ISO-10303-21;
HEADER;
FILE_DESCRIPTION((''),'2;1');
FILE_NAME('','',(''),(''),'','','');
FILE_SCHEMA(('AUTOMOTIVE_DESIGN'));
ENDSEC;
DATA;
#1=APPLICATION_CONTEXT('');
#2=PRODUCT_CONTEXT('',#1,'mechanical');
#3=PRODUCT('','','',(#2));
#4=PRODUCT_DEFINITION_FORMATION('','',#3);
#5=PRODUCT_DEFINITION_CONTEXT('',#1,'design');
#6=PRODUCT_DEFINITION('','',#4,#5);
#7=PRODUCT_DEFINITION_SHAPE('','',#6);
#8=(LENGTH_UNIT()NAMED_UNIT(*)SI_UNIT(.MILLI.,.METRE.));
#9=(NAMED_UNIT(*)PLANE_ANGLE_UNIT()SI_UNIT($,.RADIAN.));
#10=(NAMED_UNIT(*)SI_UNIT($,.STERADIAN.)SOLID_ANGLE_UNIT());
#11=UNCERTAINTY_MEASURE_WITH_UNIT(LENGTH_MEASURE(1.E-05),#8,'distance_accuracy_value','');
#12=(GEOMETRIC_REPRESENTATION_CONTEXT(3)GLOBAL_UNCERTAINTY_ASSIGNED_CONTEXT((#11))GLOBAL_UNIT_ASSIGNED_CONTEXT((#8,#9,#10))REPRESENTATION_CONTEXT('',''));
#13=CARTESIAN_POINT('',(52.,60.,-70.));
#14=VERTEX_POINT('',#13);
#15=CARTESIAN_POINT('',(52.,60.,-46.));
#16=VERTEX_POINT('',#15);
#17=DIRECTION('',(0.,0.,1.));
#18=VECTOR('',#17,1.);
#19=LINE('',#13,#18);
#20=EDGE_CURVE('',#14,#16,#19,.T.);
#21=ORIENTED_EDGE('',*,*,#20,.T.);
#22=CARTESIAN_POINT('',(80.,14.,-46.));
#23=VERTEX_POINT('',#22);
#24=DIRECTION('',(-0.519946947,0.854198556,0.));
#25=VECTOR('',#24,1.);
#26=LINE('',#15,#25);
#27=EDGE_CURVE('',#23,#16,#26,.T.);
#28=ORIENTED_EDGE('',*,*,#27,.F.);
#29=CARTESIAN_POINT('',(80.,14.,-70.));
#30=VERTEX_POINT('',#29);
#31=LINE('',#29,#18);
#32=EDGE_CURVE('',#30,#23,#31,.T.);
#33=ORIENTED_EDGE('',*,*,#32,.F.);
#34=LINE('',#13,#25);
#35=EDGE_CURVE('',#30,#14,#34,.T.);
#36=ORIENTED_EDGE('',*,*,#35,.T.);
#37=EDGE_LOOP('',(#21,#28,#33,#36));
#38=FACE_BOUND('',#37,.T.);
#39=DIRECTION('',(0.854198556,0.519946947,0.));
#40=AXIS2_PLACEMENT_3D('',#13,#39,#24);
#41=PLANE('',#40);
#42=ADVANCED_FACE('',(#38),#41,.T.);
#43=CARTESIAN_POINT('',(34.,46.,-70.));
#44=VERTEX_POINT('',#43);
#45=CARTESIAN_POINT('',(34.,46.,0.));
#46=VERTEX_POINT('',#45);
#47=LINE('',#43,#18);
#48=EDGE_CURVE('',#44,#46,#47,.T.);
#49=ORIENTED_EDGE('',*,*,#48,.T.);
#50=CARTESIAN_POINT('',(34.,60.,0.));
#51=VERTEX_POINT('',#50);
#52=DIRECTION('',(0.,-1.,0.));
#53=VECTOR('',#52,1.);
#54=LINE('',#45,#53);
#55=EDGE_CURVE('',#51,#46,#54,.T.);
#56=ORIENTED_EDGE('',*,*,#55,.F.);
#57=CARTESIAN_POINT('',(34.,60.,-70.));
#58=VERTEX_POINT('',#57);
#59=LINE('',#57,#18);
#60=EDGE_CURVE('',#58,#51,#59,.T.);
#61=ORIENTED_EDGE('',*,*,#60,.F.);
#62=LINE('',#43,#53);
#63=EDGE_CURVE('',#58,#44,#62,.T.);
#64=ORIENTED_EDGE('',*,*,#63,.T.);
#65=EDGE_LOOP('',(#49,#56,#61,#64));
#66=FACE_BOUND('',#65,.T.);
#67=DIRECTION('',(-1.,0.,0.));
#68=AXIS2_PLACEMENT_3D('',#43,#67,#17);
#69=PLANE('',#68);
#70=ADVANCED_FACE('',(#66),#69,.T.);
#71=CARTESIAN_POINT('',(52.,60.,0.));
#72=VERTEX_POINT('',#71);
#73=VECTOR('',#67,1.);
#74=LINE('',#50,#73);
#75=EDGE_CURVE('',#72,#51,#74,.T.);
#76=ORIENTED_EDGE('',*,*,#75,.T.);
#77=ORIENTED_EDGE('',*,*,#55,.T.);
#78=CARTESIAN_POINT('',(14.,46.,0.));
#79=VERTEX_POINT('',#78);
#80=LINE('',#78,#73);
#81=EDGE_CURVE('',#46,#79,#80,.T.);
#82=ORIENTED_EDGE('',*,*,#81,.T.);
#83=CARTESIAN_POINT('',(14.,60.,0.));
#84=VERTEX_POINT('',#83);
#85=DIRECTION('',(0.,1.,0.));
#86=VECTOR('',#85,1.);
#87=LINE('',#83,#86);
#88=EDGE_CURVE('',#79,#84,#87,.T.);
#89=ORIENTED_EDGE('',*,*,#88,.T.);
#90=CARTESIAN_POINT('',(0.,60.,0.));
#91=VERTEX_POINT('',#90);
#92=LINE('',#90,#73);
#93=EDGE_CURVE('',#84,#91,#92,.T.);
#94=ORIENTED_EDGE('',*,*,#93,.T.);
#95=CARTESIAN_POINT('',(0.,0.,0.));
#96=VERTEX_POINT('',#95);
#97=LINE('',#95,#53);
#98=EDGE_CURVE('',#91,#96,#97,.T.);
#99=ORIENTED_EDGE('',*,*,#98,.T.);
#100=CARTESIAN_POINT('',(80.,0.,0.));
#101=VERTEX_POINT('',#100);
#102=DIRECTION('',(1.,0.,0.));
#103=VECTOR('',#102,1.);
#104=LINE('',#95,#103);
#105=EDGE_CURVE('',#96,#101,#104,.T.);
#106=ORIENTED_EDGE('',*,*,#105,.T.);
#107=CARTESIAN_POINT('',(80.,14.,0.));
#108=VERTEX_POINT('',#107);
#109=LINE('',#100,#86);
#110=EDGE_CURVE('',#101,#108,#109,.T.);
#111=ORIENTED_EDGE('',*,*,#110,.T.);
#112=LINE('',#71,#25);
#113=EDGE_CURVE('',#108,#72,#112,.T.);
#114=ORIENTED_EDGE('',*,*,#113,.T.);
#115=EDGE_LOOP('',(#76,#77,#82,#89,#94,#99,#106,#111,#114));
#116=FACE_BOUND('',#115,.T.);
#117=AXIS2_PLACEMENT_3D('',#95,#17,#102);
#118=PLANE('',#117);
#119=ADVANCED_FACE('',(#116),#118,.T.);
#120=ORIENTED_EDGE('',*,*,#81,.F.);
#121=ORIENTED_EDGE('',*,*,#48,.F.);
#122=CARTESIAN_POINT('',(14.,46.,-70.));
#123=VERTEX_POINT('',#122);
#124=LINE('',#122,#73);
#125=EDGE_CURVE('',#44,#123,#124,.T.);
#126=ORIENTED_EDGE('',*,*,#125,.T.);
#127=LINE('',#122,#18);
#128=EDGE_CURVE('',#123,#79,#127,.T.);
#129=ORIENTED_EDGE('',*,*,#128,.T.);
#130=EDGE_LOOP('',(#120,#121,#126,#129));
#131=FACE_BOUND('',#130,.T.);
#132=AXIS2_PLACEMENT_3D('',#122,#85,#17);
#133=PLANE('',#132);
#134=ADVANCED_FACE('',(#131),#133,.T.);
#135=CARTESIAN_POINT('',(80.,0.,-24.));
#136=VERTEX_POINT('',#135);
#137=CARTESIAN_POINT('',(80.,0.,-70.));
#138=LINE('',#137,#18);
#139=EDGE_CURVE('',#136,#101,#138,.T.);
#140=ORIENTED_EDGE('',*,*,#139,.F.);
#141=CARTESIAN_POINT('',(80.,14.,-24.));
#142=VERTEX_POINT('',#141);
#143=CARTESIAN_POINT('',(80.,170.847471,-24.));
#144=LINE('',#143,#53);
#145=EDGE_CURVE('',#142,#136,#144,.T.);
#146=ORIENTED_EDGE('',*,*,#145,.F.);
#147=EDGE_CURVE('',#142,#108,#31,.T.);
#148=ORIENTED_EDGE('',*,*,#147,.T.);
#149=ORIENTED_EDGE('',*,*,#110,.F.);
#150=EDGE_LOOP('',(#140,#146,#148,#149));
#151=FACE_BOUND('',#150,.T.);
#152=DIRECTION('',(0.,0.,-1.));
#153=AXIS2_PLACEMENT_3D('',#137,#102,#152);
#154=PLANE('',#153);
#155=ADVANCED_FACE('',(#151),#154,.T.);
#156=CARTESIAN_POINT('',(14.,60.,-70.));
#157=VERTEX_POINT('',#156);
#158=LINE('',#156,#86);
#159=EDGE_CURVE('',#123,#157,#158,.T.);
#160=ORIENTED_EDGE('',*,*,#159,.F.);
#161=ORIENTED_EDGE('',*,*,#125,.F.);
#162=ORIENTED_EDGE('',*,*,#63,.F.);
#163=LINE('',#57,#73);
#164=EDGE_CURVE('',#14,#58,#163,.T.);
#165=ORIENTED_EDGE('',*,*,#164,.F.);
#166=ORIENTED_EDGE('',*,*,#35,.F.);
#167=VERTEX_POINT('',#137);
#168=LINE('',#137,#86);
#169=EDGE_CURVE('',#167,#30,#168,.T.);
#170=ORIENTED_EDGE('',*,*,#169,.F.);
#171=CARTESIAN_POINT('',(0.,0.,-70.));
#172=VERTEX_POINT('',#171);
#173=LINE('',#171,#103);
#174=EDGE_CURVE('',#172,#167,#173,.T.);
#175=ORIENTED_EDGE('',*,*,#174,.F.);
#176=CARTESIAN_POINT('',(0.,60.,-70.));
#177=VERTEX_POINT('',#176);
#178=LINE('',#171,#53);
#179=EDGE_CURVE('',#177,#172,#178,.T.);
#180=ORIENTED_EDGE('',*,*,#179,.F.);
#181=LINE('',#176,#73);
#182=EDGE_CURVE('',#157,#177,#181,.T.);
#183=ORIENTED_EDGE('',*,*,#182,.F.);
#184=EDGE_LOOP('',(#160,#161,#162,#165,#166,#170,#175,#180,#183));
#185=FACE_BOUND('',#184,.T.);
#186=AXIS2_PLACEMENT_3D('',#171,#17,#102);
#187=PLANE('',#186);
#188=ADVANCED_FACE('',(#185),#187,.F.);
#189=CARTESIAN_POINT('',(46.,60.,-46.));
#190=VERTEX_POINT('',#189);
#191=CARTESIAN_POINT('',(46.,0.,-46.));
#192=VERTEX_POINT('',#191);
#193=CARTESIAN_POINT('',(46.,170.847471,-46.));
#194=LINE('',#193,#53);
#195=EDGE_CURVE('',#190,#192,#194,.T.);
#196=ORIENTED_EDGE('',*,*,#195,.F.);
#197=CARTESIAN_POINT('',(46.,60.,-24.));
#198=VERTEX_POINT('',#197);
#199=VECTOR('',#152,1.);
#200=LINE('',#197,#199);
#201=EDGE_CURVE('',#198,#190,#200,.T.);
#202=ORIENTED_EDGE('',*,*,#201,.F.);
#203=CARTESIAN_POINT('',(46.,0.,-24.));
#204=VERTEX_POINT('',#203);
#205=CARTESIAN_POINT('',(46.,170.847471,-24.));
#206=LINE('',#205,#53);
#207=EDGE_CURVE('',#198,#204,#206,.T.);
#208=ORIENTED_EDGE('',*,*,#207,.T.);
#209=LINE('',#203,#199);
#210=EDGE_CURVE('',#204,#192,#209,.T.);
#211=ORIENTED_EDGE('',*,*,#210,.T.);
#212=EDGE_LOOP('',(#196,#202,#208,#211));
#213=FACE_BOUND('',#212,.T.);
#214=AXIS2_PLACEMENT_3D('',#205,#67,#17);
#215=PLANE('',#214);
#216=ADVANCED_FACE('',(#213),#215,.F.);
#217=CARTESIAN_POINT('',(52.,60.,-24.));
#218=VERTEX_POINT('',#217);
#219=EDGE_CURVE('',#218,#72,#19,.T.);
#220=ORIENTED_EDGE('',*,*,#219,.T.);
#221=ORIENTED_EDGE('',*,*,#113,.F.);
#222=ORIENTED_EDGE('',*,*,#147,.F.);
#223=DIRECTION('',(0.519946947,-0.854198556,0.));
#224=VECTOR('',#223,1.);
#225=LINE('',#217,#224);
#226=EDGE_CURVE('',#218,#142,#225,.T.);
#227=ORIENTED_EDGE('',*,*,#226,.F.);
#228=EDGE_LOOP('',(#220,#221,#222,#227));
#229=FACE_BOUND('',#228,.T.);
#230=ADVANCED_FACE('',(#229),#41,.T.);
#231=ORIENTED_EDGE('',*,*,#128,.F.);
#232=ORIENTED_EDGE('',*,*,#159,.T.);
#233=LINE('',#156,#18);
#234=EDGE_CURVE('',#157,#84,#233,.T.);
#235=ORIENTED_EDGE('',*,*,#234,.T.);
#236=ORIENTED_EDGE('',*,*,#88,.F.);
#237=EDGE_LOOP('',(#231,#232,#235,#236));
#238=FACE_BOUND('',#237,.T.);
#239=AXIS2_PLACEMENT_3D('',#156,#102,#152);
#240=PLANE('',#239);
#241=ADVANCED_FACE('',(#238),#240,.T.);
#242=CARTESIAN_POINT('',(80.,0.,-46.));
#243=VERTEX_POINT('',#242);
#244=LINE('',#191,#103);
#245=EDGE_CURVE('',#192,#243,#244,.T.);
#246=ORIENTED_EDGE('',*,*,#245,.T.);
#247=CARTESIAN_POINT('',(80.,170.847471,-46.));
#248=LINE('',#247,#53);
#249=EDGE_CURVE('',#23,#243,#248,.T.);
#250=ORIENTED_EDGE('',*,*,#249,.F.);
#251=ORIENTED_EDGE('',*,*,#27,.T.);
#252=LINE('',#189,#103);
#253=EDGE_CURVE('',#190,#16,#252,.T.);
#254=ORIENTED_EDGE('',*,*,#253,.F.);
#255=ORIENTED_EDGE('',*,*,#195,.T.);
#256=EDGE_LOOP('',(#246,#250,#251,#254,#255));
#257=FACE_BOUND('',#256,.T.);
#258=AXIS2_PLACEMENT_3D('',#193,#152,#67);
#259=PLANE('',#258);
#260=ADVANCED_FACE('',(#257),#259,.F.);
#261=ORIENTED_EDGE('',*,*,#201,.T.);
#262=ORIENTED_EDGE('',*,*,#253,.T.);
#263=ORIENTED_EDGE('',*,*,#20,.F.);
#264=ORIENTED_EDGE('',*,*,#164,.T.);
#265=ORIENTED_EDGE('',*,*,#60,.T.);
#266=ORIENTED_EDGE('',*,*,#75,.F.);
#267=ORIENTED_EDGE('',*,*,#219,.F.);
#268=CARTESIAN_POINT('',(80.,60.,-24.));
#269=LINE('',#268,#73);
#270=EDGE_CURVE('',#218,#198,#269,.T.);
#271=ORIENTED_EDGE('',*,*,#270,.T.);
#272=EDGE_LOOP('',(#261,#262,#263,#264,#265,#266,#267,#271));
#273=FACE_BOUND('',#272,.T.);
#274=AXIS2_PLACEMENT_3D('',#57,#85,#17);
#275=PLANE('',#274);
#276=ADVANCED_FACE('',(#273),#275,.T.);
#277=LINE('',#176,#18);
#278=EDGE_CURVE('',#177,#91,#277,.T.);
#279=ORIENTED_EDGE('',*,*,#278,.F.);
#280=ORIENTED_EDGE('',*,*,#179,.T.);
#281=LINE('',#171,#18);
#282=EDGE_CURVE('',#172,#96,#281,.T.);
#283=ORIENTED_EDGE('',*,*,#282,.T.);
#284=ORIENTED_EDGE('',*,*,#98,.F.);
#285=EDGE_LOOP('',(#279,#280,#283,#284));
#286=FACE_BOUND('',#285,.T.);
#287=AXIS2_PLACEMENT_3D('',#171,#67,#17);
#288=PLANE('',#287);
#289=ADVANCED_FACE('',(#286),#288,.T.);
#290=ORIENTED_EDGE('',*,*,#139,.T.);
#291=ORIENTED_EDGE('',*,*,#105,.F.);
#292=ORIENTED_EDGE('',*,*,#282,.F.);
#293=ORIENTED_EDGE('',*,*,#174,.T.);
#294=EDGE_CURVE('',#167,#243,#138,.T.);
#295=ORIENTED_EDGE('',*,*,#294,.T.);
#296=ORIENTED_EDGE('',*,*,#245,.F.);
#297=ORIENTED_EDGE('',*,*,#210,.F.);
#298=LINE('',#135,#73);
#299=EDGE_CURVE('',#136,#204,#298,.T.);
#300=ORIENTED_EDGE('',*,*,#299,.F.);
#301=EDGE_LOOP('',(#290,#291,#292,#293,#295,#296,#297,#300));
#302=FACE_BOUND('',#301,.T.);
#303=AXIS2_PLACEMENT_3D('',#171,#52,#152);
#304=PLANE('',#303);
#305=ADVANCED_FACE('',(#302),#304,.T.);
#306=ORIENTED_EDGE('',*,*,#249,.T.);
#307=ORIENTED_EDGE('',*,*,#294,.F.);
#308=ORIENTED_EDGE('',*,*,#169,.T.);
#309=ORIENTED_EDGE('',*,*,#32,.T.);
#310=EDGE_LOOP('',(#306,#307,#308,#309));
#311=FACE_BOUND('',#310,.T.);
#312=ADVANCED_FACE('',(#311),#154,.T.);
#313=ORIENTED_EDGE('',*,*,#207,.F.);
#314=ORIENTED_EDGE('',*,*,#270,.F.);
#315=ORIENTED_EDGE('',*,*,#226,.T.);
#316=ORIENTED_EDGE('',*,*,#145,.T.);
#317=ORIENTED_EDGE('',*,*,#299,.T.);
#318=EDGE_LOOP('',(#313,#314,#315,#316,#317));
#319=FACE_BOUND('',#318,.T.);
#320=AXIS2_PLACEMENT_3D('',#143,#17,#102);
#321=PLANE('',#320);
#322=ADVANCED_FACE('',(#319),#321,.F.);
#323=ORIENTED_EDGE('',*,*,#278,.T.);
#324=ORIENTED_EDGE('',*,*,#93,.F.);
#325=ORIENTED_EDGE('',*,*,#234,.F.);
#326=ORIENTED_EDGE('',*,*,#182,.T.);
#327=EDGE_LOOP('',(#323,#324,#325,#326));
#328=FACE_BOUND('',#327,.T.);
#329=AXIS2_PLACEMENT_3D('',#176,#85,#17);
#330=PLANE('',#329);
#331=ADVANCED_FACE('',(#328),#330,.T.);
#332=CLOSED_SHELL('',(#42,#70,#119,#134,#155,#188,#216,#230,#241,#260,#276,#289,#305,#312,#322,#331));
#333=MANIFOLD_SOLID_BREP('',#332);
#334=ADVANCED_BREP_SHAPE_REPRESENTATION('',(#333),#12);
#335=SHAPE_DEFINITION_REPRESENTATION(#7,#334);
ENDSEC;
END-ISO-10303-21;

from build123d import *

# Parameters (mm, degrees)
Y_KSEKLIK_EKSTR_ZYON1_DEPTH = 70
IZIM2_OUTSIDE_W             = 106.414
IZIM2_OUTSIDE_H             = 96.414
KES_EKSTR_ZYON3_DEPTH       = 60


with BuildPart() as part:
    # Çizim1 → Yükseklik-Ekstrüzyon1 (new body)
    with BuildSketch(Plane.XY):
        Polygon((0, 0), (0, 60), (14, 60), (14, 46), (34, 46), (34, 60), (52, 60), (80, 14), (80, 0), align=None)
    extrude(amount=-Y_KSEKLIK_EKSTR_ZYON1_DEPTH)

    # Çizim2 outside → Kes-Ekstrüzyon3 (cut)
    with BuildSketch(Plane(origin=(0, 0, 0), x_dir=(1, 0, 0), z_dir=(0, 1, 0))):
        with Locations((40, 35)):
            Rectangle(IZIM2_OUTSIDE_W, IZIM2_OUTSIDE_H)
        Polygon((80, 70), (46, 70), (0, 70), (0, 0), (80, 0), (80, 24), (46, 24), (46, 46), (80, 46), align=None, mode=Mode.SUBTRACT)
    extrude(amount=KES_EKSTR_ZYON3_DEPTH, mode=Mode.SUBTRACT)


solid = part.part
